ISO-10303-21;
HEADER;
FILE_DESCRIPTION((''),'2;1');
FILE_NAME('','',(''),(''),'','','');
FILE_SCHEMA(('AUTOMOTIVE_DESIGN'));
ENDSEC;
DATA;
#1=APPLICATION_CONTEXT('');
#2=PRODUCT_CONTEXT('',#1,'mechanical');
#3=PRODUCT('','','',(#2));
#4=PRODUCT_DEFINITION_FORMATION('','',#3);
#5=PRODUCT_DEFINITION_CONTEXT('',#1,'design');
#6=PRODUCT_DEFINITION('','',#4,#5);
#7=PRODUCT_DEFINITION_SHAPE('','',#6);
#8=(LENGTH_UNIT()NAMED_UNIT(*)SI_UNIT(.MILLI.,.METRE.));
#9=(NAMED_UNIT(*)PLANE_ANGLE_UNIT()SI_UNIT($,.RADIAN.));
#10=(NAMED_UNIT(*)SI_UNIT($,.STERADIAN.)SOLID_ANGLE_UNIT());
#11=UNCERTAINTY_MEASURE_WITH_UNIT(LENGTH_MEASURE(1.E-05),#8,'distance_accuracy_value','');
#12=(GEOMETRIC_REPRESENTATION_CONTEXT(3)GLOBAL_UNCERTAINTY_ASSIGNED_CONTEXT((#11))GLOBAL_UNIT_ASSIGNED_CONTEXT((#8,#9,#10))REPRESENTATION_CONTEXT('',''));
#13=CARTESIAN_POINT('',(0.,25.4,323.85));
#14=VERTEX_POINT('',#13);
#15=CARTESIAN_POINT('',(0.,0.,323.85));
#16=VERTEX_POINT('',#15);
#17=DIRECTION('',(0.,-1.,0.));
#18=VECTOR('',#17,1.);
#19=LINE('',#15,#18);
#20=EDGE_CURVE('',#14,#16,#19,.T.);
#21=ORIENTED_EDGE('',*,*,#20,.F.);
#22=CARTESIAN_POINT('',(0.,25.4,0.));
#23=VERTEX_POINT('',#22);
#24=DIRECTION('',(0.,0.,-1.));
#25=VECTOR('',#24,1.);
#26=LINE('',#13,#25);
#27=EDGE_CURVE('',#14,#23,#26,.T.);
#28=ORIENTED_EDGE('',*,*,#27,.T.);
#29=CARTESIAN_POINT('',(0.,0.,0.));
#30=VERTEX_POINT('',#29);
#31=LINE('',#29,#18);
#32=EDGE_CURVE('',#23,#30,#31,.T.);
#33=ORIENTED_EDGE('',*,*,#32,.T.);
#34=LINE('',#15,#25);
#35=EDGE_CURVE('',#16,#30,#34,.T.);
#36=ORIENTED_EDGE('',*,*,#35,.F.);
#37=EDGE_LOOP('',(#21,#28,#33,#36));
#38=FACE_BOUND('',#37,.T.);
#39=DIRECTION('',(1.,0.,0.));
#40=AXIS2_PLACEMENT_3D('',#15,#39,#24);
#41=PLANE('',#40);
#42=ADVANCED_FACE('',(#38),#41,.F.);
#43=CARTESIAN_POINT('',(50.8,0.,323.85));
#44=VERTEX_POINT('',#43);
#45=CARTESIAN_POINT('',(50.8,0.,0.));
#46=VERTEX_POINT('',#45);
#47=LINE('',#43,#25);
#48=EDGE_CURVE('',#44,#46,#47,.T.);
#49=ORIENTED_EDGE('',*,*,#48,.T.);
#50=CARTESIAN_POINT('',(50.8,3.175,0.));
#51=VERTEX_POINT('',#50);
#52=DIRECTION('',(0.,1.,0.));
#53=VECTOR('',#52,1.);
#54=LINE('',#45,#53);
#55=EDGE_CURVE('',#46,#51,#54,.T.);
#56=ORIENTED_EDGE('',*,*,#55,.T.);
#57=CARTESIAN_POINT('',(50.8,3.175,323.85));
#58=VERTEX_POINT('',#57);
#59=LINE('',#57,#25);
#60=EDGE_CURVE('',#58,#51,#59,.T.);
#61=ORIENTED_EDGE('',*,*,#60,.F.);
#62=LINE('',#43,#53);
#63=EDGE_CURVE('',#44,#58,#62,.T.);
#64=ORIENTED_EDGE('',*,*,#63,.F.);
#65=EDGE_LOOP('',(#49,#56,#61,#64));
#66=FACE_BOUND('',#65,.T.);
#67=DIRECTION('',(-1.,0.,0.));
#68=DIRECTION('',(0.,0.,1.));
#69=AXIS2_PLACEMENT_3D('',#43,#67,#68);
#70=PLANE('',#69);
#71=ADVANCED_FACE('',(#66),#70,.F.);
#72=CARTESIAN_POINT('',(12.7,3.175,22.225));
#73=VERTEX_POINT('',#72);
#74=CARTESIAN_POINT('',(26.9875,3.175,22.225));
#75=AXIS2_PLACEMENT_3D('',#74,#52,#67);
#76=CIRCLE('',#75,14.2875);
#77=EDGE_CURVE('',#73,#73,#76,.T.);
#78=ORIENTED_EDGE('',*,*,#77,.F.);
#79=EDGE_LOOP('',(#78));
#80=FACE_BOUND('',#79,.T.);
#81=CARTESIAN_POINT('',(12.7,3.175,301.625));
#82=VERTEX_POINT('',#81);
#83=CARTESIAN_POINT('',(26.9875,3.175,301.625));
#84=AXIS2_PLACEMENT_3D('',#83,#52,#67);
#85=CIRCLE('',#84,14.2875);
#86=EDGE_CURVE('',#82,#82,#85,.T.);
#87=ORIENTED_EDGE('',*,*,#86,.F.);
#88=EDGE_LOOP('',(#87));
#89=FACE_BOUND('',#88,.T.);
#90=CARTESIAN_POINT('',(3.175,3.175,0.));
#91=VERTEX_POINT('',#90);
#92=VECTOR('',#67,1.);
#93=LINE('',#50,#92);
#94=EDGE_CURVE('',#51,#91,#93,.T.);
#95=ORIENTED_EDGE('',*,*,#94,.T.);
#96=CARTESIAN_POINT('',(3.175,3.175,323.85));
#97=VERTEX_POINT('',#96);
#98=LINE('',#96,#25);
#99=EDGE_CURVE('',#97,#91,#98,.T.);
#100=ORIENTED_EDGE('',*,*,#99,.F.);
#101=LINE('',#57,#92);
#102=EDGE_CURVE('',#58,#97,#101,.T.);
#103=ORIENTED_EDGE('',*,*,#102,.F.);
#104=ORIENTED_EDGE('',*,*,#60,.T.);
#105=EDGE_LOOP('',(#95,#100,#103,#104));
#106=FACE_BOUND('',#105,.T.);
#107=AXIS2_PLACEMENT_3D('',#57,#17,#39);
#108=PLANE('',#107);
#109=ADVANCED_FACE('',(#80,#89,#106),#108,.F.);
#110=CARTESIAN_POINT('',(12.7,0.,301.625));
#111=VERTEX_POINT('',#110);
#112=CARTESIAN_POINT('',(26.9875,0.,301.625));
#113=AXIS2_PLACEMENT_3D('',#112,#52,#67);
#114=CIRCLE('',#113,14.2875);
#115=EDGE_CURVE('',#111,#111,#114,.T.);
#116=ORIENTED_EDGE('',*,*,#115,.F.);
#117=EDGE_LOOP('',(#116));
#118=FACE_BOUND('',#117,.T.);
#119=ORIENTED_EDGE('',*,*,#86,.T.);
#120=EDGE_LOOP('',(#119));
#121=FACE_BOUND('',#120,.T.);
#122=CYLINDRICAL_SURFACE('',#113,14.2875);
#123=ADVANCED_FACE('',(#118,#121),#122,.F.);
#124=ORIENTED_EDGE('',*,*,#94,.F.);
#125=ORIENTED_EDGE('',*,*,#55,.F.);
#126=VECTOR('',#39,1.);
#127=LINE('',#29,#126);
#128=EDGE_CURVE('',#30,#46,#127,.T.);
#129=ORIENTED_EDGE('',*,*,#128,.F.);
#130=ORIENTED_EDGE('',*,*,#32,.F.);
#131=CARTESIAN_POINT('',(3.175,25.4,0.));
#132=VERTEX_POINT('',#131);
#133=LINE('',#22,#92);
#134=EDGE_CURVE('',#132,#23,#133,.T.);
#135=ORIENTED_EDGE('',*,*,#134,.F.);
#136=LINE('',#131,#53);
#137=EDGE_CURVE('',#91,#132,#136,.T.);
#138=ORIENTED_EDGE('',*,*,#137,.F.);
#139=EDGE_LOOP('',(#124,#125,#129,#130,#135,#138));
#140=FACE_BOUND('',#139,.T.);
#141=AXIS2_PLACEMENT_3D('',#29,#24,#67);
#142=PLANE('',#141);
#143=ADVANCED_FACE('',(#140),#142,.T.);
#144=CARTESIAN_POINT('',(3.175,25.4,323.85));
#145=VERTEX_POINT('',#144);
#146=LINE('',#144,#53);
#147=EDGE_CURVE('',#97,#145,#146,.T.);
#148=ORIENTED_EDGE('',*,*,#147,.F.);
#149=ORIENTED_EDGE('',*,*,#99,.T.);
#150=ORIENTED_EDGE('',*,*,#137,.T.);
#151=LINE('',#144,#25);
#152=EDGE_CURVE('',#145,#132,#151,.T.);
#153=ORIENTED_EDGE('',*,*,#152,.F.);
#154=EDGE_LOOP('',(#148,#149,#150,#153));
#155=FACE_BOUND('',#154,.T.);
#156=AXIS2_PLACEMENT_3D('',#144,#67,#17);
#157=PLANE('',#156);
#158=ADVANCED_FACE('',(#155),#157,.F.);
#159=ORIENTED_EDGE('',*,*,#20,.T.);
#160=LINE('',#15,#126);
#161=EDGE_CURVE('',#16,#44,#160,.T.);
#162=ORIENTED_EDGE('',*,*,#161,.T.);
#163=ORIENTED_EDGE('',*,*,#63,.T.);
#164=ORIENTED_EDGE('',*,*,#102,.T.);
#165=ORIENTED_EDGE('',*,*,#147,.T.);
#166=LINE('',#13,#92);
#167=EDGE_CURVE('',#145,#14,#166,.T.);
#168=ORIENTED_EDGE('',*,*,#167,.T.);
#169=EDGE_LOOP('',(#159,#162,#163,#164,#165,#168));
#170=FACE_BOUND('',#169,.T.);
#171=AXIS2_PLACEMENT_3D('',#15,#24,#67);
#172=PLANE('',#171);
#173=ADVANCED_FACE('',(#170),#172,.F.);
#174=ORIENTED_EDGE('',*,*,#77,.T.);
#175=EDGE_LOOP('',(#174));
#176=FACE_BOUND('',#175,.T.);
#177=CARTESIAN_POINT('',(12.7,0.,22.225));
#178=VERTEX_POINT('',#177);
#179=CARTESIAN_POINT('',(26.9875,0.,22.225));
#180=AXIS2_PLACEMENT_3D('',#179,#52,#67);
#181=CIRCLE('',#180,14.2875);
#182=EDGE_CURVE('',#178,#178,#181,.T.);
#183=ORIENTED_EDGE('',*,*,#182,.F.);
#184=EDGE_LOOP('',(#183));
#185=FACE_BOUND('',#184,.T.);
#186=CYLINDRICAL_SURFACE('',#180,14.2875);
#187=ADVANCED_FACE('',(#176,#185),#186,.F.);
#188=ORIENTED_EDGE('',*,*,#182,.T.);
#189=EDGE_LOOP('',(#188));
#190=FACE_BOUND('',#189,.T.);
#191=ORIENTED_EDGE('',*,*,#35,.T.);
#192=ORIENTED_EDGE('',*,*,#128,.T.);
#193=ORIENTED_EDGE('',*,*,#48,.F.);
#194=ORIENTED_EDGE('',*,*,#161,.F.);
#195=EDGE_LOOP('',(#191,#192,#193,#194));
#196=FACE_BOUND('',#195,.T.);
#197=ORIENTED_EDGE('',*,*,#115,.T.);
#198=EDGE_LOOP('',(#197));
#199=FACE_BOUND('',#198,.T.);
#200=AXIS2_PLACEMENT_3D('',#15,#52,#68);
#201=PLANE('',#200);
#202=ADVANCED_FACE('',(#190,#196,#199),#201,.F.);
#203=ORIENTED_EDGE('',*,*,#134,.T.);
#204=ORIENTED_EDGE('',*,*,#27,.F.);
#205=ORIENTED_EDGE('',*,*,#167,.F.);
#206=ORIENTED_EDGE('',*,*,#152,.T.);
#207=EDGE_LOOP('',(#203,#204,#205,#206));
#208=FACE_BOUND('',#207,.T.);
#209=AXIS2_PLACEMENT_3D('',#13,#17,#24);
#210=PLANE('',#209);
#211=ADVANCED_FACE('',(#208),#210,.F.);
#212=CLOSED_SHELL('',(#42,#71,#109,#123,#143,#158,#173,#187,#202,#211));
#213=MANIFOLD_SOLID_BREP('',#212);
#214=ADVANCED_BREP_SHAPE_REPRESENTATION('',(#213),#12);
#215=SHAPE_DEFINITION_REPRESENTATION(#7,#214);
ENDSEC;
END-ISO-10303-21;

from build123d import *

# Parameters (mm, degrees)
BOSS_EXTRUDE1_DEPTH = 323.85
SKETCH2_R           = 14.2875
CUT_EXTRUDE1_DEPTH  = 4.175


with BuildPart() as part:
    # Sketch1 → Boss-Extrude1 (new body)
    with BuildSketch(Plane.XY):
        Polygon((0, 0), (50.8, 0), (50.8, 3.175), (3.175, 3.175), (3.175, 25.4), (0, 25.4), align=None)
    extrude(amount=BOSS_EXTRUDE1_DEPTH)

    # Sketch2 → Cut-Extrude1 (cut, through all)
    with BuildSketch(Plane(origin=(0, 3.175, 0), x_dir=(1, 0, 0), z_dir=(0, 1, 0))):
        with Locations((26.9875, -301.625)):
            Circle(SKETCH2_R)
        with Locations((26.9875, -22.225)):
            Circle(SKETCH2_R)
    extrude(amount=-CUT_EXTRUDE1_DEPTH, mode=Mode.SUBTRACT)


solid = part.part
